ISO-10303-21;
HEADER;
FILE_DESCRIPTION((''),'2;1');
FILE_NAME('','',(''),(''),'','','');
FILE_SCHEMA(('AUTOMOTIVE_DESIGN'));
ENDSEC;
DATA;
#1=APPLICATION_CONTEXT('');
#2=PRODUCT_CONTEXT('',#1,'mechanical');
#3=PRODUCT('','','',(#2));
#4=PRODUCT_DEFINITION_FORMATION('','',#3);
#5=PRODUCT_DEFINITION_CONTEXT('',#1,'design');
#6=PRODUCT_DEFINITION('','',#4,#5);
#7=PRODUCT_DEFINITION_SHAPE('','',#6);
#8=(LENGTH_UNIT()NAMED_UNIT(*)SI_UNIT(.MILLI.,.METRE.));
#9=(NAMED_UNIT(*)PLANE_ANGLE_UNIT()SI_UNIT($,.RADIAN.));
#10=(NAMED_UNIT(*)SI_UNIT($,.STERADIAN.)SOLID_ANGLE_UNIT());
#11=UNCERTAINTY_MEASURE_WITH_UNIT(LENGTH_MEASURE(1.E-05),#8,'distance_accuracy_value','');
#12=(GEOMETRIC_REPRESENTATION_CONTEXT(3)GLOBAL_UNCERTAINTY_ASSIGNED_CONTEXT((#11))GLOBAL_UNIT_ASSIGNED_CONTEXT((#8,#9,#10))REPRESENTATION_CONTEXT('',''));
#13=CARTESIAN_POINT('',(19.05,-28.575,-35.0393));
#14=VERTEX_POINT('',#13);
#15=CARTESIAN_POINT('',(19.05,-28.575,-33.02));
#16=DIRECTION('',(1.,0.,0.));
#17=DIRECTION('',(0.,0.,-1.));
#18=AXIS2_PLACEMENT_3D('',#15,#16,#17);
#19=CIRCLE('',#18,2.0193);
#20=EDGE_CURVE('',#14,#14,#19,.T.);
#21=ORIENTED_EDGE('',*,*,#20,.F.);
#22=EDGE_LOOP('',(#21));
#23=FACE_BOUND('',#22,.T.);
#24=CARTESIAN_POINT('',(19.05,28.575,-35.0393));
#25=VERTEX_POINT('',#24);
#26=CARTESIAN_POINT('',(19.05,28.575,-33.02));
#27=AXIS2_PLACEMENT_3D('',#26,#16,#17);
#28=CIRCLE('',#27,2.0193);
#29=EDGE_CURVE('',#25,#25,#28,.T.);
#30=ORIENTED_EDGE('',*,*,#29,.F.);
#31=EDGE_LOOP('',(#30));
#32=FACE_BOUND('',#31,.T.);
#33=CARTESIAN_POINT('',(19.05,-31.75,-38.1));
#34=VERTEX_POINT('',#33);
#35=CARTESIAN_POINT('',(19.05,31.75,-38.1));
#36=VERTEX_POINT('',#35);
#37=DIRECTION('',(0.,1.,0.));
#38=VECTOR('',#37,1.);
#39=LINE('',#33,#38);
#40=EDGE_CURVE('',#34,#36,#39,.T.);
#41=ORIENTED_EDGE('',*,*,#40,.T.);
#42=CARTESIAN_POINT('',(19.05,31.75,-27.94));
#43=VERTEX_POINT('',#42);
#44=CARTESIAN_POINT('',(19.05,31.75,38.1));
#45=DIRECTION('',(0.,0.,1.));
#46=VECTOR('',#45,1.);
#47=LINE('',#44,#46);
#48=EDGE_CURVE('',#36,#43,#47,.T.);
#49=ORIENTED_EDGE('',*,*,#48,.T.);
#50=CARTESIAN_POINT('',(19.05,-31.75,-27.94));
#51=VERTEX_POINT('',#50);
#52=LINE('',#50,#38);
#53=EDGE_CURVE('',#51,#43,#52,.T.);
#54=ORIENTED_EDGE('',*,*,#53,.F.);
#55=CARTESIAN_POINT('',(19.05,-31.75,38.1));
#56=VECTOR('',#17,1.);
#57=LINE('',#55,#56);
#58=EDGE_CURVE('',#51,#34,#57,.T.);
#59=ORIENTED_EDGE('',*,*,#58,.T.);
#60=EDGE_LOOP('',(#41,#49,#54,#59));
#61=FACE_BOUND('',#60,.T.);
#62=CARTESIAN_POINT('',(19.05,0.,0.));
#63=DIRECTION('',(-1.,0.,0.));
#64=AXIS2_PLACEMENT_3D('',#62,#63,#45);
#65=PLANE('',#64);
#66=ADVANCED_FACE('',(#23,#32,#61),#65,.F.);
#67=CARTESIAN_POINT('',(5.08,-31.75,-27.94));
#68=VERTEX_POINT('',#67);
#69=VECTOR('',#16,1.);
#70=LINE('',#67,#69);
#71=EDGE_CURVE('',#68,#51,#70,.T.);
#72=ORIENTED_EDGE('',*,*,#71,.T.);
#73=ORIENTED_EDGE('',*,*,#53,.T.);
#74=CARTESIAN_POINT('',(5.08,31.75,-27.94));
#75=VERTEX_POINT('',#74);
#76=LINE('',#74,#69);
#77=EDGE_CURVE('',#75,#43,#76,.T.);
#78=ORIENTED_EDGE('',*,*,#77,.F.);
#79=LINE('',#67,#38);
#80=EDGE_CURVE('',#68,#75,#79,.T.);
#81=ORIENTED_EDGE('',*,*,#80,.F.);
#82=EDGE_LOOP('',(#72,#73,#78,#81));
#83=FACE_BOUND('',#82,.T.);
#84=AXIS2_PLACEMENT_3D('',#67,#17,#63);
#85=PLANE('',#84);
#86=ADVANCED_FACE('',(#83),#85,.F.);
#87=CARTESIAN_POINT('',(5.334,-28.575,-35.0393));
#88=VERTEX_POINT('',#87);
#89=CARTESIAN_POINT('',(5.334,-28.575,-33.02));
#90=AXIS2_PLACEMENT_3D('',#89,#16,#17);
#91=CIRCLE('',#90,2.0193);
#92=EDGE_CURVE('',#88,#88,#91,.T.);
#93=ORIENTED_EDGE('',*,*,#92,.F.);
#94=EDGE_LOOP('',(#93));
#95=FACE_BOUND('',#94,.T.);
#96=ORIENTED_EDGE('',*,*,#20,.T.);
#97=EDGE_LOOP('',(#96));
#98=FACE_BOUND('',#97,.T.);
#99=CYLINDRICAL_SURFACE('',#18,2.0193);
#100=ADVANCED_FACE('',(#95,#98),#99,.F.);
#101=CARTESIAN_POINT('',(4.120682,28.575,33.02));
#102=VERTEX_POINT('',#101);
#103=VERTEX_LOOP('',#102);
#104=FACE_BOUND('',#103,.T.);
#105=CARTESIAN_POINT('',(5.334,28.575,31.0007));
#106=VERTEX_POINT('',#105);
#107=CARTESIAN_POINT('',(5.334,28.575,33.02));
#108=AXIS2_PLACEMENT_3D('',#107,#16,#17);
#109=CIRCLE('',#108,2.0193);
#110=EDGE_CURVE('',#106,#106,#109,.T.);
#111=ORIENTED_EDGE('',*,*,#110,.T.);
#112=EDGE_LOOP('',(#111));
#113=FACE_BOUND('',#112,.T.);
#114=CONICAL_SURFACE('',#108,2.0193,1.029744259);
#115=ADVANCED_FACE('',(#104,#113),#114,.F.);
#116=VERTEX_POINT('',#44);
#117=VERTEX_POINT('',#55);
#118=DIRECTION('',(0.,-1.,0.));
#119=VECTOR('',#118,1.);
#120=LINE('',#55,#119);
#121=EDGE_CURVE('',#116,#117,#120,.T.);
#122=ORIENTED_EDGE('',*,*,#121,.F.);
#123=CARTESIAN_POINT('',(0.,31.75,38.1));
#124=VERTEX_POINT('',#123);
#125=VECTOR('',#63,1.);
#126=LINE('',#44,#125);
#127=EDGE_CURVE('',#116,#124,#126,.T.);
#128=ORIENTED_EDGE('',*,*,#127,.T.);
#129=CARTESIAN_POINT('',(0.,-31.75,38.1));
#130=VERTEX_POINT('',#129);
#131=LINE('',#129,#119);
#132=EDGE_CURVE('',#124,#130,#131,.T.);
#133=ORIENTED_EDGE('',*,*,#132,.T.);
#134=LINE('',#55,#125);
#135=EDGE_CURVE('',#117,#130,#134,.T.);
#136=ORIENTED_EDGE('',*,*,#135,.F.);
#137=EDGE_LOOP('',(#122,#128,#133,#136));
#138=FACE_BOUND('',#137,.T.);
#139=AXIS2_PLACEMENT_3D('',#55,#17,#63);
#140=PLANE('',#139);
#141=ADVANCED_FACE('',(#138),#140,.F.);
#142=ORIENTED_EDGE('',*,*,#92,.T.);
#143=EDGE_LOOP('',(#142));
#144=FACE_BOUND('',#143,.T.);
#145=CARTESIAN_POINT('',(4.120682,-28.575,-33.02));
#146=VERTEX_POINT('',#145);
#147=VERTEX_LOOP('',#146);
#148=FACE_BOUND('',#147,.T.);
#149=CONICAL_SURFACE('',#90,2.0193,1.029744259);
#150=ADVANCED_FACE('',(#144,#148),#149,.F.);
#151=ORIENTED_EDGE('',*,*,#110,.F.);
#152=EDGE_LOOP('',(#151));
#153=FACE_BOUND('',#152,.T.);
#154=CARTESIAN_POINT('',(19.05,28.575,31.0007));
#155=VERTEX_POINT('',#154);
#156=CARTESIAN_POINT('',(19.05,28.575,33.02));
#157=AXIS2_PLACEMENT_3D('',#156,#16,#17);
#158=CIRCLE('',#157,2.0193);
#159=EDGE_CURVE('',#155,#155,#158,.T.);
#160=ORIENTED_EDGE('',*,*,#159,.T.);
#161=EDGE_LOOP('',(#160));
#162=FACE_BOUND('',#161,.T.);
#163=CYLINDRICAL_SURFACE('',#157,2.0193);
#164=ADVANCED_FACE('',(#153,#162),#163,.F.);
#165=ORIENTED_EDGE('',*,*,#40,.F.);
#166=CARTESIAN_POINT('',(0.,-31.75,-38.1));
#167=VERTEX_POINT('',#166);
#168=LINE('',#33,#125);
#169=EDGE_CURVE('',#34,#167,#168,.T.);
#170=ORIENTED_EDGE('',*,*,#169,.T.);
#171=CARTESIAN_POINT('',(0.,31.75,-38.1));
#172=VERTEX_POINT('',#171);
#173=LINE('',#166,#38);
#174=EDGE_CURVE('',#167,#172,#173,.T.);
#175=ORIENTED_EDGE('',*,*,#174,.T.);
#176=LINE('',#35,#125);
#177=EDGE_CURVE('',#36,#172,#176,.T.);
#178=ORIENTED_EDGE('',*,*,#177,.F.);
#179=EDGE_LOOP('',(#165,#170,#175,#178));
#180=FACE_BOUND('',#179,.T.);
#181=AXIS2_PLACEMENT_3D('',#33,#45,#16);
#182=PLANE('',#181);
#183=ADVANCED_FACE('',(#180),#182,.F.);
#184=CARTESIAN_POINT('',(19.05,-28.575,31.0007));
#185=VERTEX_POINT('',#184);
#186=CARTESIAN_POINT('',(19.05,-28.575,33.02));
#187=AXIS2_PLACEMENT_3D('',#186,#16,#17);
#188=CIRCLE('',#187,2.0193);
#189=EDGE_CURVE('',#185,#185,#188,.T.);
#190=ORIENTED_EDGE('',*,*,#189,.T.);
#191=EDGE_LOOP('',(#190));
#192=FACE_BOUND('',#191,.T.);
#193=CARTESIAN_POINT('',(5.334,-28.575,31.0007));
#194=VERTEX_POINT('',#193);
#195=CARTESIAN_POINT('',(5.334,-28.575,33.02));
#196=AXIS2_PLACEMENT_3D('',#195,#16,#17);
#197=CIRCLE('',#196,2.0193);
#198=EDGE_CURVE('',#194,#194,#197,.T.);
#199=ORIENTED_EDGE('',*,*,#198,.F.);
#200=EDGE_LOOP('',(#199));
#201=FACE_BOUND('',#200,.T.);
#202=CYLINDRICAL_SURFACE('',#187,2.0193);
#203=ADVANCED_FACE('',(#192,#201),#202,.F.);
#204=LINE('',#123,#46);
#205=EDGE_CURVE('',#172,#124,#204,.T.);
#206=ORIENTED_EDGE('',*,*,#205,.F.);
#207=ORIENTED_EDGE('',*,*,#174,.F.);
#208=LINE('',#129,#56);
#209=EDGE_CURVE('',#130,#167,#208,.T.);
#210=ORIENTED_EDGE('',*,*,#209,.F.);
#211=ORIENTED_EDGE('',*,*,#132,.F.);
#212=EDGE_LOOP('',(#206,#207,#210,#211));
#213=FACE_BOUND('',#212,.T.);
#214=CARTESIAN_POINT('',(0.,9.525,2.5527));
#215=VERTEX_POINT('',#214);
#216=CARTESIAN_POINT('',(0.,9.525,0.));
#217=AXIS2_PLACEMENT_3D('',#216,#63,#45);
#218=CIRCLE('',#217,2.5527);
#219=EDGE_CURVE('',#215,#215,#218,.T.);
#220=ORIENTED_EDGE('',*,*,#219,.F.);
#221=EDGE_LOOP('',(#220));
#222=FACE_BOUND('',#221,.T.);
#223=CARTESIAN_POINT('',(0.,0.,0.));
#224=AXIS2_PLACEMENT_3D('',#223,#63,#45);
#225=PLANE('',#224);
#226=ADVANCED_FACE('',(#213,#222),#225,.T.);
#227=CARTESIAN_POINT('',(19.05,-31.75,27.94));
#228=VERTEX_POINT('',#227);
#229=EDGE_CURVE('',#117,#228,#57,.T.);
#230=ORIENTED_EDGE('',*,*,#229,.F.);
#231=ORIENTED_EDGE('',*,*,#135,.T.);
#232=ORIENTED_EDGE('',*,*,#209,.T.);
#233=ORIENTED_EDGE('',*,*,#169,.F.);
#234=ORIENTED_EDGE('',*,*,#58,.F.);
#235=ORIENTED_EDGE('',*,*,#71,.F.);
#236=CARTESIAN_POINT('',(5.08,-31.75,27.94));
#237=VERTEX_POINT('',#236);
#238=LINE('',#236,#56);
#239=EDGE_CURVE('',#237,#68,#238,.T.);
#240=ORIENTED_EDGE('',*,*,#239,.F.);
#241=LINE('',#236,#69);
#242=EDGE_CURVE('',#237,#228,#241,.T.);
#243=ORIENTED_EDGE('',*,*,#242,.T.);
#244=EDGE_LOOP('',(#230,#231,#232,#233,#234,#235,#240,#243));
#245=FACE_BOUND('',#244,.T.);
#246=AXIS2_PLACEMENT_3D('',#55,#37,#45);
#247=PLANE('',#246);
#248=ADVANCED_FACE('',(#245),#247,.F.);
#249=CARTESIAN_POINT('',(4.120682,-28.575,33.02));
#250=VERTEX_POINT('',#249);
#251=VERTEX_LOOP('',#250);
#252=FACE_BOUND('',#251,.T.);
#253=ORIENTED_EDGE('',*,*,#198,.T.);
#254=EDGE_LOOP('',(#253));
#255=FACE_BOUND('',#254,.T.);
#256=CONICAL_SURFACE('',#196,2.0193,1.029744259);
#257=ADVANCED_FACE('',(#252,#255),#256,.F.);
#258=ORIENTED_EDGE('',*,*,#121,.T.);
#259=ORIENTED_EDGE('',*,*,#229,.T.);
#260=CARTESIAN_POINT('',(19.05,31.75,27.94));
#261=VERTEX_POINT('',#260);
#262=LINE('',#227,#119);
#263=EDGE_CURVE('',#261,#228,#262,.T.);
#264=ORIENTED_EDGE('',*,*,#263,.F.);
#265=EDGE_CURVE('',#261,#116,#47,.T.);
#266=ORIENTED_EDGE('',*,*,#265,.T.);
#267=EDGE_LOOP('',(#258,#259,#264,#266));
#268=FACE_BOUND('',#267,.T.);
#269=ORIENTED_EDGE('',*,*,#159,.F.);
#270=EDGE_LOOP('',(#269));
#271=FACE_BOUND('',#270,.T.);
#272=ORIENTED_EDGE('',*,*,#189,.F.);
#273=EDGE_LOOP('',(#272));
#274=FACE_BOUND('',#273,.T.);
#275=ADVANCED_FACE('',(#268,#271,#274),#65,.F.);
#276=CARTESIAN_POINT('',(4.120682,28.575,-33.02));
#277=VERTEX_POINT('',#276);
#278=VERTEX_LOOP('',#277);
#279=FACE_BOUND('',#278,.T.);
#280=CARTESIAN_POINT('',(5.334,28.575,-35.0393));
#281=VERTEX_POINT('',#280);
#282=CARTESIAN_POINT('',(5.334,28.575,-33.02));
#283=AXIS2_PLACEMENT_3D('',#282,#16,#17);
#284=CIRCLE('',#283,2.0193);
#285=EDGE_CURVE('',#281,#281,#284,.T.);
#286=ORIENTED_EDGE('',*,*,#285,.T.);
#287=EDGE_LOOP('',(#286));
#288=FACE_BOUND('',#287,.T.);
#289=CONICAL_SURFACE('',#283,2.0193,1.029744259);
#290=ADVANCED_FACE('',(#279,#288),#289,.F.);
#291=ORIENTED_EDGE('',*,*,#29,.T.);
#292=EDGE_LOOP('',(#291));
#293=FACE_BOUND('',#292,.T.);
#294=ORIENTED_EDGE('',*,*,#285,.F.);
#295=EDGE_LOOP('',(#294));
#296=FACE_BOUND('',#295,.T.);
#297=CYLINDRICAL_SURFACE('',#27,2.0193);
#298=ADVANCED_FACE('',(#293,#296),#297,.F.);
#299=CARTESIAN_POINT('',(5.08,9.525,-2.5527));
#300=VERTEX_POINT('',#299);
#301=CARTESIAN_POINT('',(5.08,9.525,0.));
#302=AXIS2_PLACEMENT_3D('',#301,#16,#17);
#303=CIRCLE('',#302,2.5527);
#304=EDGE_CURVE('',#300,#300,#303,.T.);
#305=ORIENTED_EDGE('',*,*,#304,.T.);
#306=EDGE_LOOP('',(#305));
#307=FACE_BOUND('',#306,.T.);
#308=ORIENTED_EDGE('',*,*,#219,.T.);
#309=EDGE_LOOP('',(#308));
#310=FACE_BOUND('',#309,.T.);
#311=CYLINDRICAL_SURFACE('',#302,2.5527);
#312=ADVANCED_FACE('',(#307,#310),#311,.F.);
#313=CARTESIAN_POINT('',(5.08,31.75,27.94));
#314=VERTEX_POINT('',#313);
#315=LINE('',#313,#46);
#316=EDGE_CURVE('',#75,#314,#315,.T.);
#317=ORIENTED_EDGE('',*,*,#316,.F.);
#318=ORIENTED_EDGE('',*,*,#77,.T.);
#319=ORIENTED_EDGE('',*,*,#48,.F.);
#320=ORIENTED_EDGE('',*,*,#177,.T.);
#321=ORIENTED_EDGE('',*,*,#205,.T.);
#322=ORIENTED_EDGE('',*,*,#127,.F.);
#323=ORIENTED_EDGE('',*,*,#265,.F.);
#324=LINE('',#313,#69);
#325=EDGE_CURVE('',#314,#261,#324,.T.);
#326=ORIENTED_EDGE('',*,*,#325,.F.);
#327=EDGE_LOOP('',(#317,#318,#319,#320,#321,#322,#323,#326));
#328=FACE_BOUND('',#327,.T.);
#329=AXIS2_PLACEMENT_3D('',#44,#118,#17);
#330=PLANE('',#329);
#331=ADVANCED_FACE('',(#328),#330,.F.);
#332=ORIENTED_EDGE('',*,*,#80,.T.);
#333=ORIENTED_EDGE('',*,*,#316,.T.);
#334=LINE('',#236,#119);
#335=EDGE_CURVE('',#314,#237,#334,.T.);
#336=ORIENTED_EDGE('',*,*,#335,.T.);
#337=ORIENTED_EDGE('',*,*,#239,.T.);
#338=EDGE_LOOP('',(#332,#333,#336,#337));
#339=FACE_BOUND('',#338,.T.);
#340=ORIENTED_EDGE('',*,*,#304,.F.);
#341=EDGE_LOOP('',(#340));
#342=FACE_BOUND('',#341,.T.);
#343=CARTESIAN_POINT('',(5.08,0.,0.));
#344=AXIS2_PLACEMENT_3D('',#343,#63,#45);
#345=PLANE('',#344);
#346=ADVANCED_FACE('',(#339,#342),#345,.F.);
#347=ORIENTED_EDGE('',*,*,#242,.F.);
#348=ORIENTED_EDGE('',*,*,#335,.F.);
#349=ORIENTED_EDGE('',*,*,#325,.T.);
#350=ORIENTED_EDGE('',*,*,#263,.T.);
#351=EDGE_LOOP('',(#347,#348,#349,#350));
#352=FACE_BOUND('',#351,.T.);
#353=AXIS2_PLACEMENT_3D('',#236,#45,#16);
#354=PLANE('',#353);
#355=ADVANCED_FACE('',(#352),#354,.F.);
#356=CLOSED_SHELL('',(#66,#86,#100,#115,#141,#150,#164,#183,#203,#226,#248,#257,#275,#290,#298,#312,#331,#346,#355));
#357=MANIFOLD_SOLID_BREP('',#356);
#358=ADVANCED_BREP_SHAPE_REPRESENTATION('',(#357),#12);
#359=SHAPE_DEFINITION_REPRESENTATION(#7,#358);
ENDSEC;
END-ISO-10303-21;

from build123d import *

# Parameters (mm, degrees)
SKETCH1_W                   = 76.2
SKETCH1_H                   = 63.5
BOSS_EXTRUDE1_DEPTH         = 19.05
SKETCH2_W                   = 55.88
SKETCH2_H                   = 63.5
CUT_EXTRUDE1_DEPTH          = 13.97
F_1_4_20_TAPPED_HOLE1_D     = 5.1054
F_1_4_20_TAPPED_HOLE1_DEPTH = 19.05
F_1_4_20_TAPPED_HOLE1_TIP   = 1.533816902
LPATTERN1_COUNT             = 2
LPATTERN1_PITCH             = 57.15
LPATTERN1_COUNT_DIR2        = 2
LPATTERN1_PITCH_DIR2        = 66.04


with BuildPart() as part:
    # Sketch1 → Boss-Extrude1 (new body)
    with BuildSketch(Plane(origin=(0, 0, 0), x_dir=(0, 0, -1), z_dir=(1, 0, 0))):
        Rectangle(SKETCH1_W, SKETCH1_H)
    extrude(amount=BOSS_EXTRUDE1_DEPTH)

    # Sketch2 → Cut-Extrude1 (cut)
    with BuildSketch(Plane(origin=(19.05, 0, 0), x_dir=(0, 0, -1), z_dir=(1, 0, 0))):
        Rectangle(SKETCH2_W, SKETCH2_H)
    extrude(amount=-CUT_EXTRUDE1_DEPTH, mode=Mode.SUBTRACT)

    # Sketch5 → #10-32 Tapped Hole1 (revolve, cut)
    with BuildSketch(Plane(origin=(19.05, 28.575, 33.02), x_dir=(0, 0, -1), z_dir=(0, 1, 0))):
        Polygon((0, 0), (0, 14.929317848), (2.0193, 13.716), (2.0193, 0), align=None)
    f_10_32_tapped_hole1 = revolve(axis=Axis((25.4, 28.575, 33.02), (-1, 0, 0)), mode=Mode.SUBTRACT)

    # 1/4-20 Tapped Hole1
    with Locations(Plane(origin=(5.08, 0, 0), x_dir=(0, 0, -1), z_dir=(1, 0, 0))):
        with Locations((0, 9.525)):
            Hole(F_1_4_20_TAPPED_HOLE1_D / 2, depth=F_1_4_20_TAPPED_HOLE1_DEPTH)
            with Locations((0, 0, -(F_1_4_20_TAPPED_HOLE1_DEPTH + F_1_4_20_TAPPED_HOLE1_TIP / 2))):  # 118° drill point
                Cone(0, F_1_4_20_TAPPED_HOLE1_D / 2, F_1_4_20_TAPPED_HOLE1_TIP, mode=Mode.SUBTRACT)

    # LPattern1: 10-32 Tapped Hole1 2 × 2
    with Locations(*[(0, -i * LPATTERN1_PITCH, -j * LPATTERN1_PITCH_DIR2) for i in range(LPATTERN1_COUNT) for j in range(LPATTERN1_COUNT_DIR2) if (i, j) != (0, 0)]):
        add(f_10_32_tapped_hole1, mode=Mode.SUBTRACT)


solid = part.part
